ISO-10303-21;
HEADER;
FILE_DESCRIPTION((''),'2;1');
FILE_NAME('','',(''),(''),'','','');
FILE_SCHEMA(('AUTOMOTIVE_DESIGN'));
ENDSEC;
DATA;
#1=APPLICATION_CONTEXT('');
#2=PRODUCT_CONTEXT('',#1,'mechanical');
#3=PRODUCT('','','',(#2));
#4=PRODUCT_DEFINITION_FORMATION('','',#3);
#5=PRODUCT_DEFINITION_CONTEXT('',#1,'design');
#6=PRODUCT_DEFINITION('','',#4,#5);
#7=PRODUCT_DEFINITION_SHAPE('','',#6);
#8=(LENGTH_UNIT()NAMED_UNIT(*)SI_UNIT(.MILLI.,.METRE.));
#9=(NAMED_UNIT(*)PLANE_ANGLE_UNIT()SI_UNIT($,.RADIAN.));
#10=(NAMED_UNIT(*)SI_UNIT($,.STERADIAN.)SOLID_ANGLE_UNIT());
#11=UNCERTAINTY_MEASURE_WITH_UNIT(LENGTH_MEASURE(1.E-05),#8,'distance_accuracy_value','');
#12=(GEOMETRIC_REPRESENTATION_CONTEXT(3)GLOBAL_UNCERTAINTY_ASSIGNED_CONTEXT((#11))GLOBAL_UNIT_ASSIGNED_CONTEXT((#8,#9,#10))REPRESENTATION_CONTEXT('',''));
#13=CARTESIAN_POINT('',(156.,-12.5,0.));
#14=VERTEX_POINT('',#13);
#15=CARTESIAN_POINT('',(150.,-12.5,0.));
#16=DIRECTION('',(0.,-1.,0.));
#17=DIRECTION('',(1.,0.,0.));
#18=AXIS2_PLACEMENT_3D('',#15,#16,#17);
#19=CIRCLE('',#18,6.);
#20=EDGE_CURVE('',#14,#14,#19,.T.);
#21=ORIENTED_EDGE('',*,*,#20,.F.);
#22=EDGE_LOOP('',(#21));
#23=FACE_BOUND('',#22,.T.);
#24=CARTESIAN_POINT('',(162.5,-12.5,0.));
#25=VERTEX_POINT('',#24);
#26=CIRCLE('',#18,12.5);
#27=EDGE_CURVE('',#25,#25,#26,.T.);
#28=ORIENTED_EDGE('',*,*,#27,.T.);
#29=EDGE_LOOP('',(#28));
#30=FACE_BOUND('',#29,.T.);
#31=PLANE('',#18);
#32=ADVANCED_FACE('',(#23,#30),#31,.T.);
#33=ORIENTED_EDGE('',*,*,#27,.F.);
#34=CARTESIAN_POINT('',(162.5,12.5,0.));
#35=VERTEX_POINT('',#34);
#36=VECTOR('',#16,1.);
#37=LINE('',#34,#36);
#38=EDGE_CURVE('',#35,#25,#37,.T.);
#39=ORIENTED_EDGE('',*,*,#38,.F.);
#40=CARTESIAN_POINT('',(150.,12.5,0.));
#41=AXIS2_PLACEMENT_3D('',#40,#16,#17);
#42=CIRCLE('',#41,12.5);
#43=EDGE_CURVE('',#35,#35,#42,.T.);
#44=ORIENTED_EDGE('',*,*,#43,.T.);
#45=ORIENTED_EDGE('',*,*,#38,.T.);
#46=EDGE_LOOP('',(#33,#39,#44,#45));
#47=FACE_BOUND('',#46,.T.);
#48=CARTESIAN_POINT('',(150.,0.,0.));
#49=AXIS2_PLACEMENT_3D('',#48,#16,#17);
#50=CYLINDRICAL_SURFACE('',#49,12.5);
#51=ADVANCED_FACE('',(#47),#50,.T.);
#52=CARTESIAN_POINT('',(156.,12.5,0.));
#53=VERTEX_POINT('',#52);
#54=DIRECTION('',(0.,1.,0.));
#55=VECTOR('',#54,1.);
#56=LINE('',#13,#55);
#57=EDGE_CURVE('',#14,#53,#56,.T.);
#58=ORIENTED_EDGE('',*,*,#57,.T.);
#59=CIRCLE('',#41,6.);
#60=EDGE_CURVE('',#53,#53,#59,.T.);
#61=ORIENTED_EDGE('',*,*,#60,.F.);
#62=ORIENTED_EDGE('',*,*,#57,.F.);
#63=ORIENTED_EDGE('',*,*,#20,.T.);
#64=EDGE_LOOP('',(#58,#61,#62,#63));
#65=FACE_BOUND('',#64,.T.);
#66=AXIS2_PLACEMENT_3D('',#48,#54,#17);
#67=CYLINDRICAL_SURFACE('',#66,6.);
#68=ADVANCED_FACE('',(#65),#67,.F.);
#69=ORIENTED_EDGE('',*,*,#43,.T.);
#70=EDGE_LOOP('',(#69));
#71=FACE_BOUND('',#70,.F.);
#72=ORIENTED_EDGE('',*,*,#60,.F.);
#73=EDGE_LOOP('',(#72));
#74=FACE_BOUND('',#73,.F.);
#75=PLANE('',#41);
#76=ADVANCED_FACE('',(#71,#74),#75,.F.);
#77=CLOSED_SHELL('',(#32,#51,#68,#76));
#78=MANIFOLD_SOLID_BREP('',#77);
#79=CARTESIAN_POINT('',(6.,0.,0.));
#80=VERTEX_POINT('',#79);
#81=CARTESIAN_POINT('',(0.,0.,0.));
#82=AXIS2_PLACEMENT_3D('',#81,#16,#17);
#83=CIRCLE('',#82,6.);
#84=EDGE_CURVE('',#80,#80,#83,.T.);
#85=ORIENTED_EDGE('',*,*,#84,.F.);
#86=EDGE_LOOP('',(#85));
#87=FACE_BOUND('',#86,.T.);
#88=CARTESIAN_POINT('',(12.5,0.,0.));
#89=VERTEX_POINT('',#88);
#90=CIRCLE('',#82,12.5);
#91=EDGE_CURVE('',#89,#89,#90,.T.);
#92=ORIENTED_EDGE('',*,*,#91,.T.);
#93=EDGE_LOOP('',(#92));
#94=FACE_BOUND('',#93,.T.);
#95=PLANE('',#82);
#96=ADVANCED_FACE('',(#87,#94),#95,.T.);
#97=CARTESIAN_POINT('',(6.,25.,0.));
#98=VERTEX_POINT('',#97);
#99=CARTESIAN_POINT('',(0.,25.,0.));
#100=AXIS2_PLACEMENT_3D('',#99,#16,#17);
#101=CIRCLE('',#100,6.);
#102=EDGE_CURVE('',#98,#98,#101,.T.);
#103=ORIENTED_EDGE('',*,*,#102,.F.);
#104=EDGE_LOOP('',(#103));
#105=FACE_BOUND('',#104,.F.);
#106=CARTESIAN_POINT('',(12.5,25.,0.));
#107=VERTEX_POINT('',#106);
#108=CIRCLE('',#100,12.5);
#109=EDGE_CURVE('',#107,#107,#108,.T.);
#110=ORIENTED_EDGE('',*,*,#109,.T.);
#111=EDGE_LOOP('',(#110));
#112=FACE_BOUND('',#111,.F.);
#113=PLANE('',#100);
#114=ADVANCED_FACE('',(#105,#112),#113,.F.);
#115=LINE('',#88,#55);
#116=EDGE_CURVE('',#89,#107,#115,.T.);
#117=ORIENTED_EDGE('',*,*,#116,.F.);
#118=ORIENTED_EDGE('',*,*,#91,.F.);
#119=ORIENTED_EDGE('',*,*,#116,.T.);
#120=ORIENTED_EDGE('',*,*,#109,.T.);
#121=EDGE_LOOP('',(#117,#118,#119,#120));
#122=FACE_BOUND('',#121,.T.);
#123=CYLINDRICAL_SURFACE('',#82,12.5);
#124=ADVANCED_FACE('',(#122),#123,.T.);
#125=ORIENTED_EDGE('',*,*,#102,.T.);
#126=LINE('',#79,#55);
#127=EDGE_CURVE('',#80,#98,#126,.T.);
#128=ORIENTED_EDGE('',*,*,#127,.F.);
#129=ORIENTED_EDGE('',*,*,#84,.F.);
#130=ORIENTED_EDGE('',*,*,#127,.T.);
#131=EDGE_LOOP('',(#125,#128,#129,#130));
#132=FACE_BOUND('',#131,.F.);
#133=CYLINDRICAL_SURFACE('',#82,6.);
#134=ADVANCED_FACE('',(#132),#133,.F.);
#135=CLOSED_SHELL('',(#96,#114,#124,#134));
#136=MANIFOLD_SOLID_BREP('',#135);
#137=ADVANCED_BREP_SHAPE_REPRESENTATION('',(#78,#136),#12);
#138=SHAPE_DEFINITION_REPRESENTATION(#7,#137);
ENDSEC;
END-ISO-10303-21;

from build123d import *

# Parameters (mm, degrees)
F0_R     = 12.5
F0_R_2   = 6
F1_DEPTH = 25
F2_R     = 12.5
F2_R_2   = 6
F3_DEPTH = 12.5


with BuildPart() as f1:
    # F0 (on Front) → F1 (new body)
    with BuildSketch(Plane.XZ):
        Circle(F0_R)
        Circle(F0_R_2, mode=Mode.SUBTRACT)
    extrude(amount=-F1_DEPTH)


with BuildPart() as f3:
    # F2 (on Front) → F3 (new body, symmetric)
    with BuildSketch(Plane.XZ):
        with Locations((150, 0)):
            Circle(F2_R)
        with Locations((150, 0)):
            Circle(F2_R_2, mode=Mode.SUBTRACT)
    extrude(amount=F3_DEPTH, both=True)


solid = Compound([f1.part, f3.part])
